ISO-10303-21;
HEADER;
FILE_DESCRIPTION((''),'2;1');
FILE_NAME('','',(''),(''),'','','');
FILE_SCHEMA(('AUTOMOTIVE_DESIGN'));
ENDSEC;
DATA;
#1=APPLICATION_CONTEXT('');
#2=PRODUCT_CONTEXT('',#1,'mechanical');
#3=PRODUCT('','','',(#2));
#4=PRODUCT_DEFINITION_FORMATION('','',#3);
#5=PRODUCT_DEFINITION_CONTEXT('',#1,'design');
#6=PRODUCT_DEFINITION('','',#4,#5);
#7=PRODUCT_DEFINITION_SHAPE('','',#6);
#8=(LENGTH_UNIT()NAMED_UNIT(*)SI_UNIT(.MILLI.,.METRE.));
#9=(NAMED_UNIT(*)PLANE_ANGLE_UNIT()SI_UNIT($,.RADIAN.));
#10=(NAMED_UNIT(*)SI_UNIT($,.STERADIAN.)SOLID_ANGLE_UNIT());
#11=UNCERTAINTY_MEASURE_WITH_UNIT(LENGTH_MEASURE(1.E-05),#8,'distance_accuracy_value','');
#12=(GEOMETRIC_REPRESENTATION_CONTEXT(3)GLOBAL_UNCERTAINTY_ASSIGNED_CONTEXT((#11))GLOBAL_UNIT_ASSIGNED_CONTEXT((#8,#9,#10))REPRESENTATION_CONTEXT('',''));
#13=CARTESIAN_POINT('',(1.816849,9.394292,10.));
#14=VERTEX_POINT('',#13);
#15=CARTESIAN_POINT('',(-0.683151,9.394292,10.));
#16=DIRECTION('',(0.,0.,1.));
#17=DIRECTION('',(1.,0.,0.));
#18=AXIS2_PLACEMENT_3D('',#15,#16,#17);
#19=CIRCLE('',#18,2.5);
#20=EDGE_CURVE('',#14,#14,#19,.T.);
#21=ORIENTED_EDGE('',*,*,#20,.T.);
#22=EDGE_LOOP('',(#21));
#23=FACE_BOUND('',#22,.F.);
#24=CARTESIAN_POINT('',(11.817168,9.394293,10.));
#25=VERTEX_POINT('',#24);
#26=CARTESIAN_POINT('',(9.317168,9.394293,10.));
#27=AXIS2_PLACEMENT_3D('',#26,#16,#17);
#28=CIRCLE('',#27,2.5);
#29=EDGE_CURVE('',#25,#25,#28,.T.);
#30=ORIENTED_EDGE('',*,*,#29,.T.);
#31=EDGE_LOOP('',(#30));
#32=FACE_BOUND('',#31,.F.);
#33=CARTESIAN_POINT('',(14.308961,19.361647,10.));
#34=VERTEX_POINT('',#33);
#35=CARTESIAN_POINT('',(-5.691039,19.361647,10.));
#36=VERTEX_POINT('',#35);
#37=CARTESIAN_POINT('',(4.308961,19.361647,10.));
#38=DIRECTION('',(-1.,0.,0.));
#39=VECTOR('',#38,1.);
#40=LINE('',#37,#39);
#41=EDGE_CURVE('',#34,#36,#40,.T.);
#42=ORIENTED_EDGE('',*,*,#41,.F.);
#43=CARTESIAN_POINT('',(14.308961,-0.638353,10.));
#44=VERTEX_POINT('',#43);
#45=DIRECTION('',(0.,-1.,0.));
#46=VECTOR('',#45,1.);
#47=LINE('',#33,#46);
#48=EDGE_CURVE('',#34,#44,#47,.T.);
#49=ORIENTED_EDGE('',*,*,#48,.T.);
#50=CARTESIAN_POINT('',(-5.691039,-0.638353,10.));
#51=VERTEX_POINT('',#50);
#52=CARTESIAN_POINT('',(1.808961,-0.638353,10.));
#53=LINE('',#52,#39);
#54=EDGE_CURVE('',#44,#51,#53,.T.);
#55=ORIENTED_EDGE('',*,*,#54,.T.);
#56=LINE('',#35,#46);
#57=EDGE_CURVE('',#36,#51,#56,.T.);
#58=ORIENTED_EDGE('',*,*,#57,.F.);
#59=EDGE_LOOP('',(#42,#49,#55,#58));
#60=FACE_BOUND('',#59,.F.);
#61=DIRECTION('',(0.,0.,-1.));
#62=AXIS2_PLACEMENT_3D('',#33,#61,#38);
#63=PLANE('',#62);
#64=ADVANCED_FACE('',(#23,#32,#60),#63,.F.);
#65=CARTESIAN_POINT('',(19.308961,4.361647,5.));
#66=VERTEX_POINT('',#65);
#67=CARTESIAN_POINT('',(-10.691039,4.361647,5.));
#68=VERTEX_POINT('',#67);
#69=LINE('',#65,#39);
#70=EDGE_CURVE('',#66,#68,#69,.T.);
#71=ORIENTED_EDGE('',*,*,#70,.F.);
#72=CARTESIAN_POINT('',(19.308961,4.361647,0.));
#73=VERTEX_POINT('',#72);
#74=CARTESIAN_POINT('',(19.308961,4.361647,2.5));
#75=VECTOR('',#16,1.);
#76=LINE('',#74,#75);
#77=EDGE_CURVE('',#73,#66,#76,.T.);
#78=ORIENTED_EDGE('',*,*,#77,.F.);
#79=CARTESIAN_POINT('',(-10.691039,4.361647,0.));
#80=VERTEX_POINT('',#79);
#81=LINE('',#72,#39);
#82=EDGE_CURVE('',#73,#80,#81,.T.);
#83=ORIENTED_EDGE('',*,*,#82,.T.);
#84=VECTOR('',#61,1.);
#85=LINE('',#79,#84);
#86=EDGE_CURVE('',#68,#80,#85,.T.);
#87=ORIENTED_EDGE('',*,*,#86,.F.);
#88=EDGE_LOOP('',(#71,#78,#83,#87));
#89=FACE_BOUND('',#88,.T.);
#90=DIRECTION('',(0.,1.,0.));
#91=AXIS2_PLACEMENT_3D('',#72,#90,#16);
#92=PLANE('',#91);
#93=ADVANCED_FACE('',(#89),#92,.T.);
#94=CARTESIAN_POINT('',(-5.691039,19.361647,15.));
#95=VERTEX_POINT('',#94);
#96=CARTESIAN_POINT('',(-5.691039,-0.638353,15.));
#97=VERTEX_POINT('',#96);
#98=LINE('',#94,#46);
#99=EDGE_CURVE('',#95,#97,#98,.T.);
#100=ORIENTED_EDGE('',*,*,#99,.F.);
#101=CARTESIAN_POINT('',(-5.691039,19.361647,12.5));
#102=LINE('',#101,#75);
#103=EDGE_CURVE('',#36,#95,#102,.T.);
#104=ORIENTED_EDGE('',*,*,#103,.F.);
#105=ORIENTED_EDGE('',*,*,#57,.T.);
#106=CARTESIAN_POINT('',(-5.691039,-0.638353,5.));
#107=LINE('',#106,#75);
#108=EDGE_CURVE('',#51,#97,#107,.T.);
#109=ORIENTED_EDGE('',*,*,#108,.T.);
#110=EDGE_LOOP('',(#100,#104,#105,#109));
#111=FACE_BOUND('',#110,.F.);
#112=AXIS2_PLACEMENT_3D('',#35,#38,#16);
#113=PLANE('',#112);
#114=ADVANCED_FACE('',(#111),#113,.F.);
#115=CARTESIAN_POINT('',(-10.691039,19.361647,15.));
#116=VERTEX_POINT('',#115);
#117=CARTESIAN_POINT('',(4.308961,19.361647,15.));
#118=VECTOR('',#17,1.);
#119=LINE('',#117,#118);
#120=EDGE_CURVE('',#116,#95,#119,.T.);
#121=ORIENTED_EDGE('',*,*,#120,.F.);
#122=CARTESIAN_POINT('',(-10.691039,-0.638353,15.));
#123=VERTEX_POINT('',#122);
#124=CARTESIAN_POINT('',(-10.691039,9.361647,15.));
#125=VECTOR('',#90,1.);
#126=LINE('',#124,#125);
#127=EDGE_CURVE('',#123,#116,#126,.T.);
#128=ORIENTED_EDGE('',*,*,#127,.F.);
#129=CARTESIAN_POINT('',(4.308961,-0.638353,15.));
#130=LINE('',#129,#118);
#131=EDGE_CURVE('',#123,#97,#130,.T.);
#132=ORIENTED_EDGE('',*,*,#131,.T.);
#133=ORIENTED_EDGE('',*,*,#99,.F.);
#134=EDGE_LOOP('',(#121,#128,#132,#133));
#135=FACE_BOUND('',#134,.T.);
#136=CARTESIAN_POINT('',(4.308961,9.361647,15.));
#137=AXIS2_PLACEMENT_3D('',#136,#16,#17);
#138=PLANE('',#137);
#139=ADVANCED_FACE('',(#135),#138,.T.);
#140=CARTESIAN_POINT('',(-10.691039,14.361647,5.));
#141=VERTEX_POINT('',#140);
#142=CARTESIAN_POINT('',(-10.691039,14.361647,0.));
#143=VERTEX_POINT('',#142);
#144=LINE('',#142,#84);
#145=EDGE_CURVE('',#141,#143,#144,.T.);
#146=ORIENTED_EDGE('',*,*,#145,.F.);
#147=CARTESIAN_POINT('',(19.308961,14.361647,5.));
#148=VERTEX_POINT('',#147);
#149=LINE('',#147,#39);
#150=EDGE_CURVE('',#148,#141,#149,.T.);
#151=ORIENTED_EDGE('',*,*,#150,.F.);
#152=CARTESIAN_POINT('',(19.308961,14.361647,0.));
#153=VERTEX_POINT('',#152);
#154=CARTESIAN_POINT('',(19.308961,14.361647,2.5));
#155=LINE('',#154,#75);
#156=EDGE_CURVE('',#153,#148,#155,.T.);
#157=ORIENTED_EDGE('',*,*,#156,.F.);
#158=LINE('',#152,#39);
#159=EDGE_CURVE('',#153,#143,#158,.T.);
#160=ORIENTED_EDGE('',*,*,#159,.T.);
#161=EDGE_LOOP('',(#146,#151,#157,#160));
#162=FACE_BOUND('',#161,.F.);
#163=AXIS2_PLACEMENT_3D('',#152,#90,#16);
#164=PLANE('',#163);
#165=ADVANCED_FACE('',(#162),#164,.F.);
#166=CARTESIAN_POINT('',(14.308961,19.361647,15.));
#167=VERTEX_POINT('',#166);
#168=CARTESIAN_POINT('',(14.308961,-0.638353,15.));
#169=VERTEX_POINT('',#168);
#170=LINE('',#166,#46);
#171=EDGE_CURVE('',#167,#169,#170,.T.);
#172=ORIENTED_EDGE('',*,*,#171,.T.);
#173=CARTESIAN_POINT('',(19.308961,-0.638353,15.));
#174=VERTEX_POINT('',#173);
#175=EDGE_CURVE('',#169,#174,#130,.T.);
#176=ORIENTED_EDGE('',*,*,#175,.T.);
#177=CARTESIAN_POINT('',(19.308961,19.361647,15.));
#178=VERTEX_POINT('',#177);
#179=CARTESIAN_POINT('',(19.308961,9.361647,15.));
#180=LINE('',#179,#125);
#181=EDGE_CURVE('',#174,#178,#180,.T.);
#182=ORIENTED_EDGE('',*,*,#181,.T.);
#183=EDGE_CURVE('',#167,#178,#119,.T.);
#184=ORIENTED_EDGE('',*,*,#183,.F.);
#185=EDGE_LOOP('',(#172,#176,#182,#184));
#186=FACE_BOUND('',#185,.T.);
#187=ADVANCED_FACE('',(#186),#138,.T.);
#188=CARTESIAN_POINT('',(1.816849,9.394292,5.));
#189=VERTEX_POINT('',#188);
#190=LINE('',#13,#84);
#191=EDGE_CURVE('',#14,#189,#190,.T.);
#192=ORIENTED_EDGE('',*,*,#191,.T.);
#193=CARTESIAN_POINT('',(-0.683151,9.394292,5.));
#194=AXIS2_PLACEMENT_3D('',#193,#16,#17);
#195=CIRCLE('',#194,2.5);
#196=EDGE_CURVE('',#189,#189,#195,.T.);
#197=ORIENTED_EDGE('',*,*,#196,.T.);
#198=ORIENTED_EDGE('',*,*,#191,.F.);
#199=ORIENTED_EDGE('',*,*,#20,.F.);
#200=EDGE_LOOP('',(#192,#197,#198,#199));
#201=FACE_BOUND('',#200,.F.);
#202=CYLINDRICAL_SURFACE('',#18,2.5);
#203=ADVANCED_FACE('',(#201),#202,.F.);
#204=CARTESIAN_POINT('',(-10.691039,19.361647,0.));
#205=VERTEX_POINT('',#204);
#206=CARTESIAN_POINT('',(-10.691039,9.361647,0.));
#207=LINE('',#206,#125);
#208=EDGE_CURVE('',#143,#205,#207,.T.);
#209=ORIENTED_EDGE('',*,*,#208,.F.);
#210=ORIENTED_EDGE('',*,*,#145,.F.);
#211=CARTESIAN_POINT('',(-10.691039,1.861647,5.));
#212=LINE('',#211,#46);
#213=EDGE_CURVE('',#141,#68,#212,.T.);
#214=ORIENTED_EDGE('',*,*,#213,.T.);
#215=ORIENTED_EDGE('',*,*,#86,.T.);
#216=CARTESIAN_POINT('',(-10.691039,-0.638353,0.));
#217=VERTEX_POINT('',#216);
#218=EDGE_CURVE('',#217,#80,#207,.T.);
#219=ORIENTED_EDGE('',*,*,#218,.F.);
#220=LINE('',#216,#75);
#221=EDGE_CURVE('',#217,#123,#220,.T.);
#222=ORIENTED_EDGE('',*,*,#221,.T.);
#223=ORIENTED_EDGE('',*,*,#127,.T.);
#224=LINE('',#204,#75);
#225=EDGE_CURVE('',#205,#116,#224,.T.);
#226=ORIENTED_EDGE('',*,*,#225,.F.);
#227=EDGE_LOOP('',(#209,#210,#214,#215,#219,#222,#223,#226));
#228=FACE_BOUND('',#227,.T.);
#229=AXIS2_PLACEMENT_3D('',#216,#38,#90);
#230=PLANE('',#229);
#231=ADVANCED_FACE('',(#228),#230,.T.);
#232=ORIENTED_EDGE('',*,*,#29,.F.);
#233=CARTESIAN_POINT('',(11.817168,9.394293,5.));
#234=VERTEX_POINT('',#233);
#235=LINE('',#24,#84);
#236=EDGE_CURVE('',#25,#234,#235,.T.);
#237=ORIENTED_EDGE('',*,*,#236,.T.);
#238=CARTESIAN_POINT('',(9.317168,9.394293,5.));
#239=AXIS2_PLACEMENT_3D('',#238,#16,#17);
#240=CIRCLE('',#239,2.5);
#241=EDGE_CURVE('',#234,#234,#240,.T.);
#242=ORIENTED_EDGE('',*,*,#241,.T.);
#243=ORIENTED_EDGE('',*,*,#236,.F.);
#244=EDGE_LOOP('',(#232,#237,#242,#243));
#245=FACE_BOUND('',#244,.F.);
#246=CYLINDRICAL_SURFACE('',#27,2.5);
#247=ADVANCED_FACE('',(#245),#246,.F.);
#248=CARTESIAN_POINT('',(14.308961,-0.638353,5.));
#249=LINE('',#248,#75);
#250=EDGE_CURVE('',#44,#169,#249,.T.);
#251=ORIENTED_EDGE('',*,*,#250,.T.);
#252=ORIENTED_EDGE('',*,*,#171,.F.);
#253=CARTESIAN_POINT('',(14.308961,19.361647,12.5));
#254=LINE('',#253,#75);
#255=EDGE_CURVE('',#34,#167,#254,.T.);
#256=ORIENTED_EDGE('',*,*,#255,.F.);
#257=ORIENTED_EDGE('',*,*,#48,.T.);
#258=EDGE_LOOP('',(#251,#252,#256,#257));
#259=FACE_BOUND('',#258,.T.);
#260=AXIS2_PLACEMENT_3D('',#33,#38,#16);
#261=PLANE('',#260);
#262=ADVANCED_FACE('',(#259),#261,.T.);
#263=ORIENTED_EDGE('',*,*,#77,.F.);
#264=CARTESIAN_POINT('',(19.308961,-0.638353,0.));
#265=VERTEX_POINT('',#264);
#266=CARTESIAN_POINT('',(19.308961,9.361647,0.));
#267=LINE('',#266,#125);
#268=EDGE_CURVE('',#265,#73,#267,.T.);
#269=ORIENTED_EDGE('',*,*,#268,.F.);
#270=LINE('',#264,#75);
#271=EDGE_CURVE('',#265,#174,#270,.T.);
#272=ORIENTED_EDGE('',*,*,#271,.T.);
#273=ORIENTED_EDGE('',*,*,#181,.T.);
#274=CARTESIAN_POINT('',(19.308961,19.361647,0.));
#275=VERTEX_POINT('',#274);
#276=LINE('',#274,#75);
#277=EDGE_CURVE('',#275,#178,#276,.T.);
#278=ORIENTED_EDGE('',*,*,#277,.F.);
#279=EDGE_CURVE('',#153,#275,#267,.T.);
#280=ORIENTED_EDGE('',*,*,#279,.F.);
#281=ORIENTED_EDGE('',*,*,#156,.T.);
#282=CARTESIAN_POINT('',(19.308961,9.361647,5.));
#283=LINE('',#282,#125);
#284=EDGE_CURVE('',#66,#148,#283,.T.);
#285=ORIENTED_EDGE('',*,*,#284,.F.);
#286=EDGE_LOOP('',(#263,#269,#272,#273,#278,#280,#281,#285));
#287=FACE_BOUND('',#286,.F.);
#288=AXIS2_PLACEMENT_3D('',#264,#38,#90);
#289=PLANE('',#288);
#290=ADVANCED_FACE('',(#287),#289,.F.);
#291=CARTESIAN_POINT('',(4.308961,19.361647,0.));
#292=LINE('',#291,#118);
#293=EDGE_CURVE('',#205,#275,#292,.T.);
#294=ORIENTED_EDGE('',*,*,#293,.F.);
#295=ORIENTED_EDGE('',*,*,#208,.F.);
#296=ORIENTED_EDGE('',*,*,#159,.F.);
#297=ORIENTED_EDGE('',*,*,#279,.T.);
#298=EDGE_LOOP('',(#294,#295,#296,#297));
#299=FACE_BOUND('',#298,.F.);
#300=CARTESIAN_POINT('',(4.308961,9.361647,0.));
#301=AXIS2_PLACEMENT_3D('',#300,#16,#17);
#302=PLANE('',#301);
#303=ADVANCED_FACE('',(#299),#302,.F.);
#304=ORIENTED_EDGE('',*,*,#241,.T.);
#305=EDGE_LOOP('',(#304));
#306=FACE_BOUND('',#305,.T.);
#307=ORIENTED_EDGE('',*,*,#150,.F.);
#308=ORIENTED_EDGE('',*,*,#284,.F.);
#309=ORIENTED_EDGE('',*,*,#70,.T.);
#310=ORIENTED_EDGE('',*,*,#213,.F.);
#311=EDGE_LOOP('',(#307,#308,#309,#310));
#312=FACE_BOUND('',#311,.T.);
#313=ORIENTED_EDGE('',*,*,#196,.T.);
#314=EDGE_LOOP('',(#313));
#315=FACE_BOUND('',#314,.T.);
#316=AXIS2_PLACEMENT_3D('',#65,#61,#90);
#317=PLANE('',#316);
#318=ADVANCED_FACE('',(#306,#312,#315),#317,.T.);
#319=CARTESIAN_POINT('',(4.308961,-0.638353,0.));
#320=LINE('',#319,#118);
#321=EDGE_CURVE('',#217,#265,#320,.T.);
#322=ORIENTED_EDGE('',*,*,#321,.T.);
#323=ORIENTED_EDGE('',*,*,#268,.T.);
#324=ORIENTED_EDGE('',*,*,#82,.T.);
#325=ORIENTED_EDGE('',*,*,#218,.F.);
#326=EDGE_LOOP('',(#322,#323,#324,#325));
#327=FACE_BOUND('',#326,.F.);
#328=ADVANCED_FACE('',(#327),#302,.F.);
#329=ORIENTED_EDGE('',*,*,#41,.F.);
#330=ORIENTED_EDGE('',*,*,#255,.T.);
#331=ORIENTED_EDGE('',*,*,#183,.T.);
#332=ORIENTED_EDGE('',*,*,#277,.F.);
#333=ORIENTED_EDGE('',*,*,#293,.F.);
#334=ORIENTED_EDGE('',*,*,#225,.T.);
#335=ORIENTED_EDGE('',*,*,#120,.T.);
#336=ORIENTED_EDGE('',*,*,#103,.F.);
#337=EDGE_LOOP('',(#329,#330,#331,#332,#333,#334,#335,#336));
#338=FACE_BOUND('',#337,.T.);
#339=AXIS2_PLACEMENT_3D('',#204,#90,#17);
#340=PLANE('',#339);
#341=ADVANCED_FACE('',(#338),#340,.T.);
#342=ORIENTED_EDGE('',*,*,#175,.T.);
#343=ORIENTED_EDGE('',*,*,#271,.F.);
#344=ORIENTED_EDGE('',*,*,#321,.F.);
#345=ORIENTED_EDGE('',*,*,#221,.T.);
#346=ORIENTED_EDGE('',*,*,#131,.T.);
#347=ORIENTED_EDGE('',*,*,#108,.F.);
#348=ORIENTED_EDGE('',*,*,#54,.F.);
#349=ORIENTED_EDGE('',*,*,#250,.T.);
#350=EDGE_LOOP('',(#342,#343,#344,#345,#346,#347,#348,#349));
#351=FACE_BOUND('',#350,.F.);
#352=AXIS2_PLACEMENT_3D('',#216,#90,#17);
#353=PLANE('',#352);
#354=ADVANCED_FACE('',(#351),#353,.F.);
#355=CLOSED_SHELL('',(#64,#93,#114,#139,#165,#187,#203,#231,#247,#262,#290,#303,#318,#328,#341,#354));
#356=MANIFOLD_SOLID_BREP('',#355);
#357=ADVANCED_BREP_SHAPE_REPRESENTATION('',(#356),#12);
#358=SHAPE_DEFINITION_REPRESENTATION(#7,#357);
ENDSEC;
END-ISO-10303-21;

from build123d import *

# Parameters (mm, degrees)
F0_W     = 30
F0_H     = 20
F1_DEPTH = 15
F2_W     = 10
F2_H     = 5
F3_DEPTH = 30.001
F4_W     = 20
F4_H     = 5
F5_DEPTH = 20.001
F7_R     = 2.5
F8_DEPTH = 10.001


with BuildPart() as f1:
    # F0 (on Top) → F1 (new body)
    with BuildSketch(Plane.XY):
        with Locations((4.308961, 9.361647)):
            Rectangle(F0_W, F0_H)
    extrude(amount=F1_DEPTH)

    # F2 (on face) → F3 (cut, through all)
    with BuildSketch(Plane.YZ.offset(19.308961)):
        with Locations((9.361647, 2.5)):
            Rectangle(F2_W, F2_H)
    extrude(amount=-F3_DEPTH, mode=Mode.SUBTRACT)

    # F4 (on face) → F5 (cut, through all)
    with BuildSketch(Plane(origin=(0, 19.361647, 0), x_dir=(-1, 0, 0), z_dir=(0, 1, 0))):
        with Locations((-4.308961, 12.5)):
            Rectangle(F4_W, F4_H)
    extrude(amount=-F5_DEPTH, mode=Mode.SUBTRACT)

    # F7 (on face) → F8 (cut, through all)
    with BuildSketch(Plane.XY.offset(10)):
        with Locations((-0.683151, 9.394292)):
            Circle(F7_R)
        with Locations((9.317168, 9.394293)):
            Circle(F7_R)
    extrude(amount=-F8_DEPTH, mode=Mode.SUBTRACT)


solid = f1.part
